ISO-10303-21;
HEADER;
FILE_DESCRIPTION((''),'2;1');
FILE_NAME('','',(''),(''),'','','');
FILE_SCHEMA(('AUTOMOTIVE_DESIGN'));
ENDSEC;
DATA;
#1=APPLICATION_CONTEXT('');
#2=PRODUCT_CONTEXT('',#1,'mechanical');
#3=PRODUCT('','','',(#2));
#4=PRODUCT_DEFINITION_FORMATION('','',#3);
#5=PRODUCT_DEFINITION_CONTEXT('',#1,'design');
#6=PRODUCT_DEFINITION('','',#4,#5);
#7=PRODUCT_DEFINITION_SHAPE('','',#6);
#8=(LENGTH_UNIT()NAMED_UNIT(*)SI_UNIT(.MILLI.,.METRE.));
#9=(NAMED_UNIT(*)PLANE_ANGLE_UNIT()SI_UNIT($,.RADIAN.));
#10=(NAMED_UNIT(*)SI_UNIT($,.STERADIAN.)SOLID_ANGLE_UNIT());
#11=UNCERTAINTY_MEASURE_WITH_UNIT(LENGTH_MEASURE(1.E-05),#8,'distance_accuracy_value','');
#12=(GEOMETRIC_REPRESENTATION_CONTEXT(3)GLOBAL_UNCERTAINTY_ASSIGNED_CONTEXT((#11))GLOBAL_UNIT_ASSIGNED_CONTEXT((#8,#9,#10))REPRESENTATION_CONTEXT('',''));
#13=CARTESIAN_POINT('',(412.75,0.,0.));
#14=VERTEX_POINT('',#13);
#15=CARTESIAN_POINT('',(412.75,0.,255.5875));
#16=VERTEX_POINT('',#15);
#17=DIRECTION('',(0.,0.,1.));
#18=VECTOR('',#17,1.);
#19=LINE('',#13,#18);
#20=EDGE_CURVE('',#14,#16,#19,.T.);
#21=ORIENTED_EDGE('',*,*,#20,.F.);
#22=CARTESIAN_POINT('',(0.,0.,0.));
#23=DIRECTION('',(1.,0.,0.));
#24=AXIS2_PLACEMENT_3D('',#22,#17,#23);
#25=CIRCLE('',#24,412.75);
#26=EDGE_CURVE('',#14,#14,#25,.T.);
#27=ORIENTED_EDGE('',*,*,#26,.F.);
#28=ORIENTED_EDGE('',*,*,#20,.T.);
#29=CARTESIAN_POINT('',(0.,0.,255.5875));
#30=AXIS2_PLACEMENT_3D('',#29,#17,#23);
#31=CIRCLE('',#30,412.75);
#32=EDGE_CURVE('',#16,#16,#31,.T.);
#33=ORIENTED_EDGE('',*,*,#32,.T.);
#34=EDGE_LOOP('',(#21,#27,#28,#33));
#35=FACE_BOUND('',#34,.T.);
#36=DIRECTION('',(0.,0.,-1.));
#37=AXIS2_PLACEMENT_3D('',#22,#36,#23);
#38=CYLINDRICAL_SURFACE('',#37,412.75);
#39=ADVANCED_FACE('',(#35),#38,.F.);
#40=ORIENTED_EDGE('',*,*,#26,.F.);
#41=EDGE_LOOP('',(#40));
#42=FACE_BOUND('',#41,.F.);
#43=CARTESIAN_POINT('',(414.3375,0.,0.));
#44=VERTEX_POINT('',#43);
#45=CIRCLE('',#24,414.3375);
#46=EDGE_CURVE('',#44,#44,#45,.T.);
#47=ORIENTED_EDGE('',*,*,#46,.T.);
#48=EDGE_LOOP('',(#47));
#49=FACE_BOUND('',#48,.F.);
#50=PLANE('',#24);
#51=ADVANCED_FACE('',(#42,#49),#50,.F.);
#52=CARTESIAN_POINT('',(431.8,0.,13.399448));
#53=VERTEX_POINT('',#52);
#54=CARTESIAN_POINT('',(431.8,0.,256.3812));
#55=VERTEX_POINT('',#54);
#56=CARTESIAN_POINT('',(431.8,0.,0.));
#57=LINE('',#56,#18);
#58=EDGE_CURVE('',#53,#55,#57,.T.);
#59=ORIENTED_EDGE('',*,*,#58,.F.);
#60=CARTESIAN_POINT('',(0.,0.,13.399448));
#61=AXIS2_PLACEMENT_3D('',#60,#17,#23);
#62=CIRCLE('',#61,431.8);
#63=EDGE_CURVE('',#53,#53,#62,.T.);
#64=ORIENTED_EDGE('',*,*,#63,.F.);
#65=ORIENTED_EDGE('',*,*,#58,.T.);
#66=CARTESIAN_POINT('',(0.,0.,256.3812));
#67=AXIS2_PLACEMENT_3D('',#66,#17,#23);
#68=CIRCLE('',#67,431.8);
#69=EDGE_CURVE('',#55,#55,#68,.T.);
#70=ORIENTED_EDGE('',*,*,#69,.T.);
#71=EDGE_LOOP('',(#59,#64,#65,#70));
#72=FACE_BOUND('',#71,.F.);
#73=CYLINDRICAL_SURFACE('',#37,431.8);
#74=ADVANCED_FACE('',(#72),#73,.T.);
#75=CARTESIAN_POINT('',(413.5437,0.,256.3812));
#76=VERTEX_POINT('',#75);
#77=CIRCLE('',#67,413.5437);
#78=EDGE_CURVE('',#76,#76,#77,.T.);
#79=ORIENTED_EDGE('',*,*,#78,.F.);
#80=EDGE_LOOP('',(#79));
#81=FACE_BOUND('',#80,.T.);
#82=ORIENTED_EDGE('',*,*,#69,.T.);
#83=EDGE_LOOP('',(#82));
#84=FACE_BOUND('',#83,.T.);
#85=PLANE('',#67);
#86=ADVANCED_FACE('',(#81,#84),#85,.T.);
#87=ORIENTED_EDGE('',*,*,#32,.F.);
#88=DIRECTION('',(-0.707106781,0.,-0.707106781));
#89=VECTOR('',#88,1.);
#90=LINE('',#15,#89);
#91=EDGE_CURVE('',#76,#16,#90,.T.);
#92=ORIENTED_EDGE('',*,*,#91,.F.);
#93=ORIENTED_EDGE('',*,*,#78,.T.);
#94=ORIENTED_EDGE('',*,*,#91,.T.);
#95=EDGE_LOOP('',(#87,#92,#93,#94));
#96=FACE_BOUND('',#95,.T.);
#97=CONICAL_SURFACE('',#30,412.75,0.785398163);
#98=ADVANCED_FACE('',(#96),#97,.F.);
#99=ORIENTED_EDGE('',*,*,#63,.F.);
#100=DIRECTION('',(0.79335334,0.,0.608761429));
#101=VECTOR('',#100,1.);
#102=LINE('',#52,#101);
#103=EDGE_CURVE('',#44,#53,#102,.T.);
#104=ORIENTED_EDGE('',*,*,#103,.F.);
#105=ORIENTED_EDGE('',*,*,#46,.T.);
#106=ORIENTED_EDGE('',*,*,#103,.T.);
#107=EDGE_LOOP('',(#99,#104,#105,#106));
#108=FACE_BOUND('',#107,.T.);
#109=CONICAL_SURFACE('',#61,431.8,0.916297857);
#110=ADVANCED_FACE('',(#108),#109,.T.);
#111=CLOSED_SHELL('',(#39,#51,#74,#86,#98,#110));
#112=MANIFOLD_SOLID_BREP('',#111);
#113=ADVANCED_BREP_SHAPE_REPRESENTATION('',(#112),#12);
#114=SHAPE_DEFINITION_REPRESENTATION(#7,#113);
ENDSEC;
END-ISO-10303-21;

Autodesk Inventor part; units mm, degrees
ref_plane "YZ Plane" through (0, 0, 0) normal (1, 0, 0) x (0, 1, 0)
ref_plane "XZ Plane" through (0, 0, 0) normal (0, 1, 0) x (-1, 0, 0)
sketch "Sketch1" plane through (0, 0, 0) normal (0, 0, 1) x (1, 0, 0)
  circle A0 centre (0, 0) radius 431.8
  circle A1 centre (0, 0) radius 412.75
  dimension "d0" = 863.6
  dimension "d1" = 825.5
extrude "Extrusion1" add sketch "Sketch1" along normal blind 256.3812
chamfer "Chamfer1" distance 17.4625 angle 37.5 1 edges at (-431.8, 0, 0) measured on face at (-425.2038, 4.7488, 0)
ref_plane "Work Plane2" through (0, 0, 224.6312) normal (0, 0, 1) x (1, 0, 0)
ref_plane "Work Plane1" through (0, 0, 205.5812) normal (0, 0, 1) x (1, 0, 0)
split_face "Split1"
split_face "Split2"
chamfer "Chamfer2" distance 0.7937 angle 45 1 edges at (-412.75, 0, 256.3812)
properties part number "A1-19037-200-03 34in pipe" material "Steel, Mild"
